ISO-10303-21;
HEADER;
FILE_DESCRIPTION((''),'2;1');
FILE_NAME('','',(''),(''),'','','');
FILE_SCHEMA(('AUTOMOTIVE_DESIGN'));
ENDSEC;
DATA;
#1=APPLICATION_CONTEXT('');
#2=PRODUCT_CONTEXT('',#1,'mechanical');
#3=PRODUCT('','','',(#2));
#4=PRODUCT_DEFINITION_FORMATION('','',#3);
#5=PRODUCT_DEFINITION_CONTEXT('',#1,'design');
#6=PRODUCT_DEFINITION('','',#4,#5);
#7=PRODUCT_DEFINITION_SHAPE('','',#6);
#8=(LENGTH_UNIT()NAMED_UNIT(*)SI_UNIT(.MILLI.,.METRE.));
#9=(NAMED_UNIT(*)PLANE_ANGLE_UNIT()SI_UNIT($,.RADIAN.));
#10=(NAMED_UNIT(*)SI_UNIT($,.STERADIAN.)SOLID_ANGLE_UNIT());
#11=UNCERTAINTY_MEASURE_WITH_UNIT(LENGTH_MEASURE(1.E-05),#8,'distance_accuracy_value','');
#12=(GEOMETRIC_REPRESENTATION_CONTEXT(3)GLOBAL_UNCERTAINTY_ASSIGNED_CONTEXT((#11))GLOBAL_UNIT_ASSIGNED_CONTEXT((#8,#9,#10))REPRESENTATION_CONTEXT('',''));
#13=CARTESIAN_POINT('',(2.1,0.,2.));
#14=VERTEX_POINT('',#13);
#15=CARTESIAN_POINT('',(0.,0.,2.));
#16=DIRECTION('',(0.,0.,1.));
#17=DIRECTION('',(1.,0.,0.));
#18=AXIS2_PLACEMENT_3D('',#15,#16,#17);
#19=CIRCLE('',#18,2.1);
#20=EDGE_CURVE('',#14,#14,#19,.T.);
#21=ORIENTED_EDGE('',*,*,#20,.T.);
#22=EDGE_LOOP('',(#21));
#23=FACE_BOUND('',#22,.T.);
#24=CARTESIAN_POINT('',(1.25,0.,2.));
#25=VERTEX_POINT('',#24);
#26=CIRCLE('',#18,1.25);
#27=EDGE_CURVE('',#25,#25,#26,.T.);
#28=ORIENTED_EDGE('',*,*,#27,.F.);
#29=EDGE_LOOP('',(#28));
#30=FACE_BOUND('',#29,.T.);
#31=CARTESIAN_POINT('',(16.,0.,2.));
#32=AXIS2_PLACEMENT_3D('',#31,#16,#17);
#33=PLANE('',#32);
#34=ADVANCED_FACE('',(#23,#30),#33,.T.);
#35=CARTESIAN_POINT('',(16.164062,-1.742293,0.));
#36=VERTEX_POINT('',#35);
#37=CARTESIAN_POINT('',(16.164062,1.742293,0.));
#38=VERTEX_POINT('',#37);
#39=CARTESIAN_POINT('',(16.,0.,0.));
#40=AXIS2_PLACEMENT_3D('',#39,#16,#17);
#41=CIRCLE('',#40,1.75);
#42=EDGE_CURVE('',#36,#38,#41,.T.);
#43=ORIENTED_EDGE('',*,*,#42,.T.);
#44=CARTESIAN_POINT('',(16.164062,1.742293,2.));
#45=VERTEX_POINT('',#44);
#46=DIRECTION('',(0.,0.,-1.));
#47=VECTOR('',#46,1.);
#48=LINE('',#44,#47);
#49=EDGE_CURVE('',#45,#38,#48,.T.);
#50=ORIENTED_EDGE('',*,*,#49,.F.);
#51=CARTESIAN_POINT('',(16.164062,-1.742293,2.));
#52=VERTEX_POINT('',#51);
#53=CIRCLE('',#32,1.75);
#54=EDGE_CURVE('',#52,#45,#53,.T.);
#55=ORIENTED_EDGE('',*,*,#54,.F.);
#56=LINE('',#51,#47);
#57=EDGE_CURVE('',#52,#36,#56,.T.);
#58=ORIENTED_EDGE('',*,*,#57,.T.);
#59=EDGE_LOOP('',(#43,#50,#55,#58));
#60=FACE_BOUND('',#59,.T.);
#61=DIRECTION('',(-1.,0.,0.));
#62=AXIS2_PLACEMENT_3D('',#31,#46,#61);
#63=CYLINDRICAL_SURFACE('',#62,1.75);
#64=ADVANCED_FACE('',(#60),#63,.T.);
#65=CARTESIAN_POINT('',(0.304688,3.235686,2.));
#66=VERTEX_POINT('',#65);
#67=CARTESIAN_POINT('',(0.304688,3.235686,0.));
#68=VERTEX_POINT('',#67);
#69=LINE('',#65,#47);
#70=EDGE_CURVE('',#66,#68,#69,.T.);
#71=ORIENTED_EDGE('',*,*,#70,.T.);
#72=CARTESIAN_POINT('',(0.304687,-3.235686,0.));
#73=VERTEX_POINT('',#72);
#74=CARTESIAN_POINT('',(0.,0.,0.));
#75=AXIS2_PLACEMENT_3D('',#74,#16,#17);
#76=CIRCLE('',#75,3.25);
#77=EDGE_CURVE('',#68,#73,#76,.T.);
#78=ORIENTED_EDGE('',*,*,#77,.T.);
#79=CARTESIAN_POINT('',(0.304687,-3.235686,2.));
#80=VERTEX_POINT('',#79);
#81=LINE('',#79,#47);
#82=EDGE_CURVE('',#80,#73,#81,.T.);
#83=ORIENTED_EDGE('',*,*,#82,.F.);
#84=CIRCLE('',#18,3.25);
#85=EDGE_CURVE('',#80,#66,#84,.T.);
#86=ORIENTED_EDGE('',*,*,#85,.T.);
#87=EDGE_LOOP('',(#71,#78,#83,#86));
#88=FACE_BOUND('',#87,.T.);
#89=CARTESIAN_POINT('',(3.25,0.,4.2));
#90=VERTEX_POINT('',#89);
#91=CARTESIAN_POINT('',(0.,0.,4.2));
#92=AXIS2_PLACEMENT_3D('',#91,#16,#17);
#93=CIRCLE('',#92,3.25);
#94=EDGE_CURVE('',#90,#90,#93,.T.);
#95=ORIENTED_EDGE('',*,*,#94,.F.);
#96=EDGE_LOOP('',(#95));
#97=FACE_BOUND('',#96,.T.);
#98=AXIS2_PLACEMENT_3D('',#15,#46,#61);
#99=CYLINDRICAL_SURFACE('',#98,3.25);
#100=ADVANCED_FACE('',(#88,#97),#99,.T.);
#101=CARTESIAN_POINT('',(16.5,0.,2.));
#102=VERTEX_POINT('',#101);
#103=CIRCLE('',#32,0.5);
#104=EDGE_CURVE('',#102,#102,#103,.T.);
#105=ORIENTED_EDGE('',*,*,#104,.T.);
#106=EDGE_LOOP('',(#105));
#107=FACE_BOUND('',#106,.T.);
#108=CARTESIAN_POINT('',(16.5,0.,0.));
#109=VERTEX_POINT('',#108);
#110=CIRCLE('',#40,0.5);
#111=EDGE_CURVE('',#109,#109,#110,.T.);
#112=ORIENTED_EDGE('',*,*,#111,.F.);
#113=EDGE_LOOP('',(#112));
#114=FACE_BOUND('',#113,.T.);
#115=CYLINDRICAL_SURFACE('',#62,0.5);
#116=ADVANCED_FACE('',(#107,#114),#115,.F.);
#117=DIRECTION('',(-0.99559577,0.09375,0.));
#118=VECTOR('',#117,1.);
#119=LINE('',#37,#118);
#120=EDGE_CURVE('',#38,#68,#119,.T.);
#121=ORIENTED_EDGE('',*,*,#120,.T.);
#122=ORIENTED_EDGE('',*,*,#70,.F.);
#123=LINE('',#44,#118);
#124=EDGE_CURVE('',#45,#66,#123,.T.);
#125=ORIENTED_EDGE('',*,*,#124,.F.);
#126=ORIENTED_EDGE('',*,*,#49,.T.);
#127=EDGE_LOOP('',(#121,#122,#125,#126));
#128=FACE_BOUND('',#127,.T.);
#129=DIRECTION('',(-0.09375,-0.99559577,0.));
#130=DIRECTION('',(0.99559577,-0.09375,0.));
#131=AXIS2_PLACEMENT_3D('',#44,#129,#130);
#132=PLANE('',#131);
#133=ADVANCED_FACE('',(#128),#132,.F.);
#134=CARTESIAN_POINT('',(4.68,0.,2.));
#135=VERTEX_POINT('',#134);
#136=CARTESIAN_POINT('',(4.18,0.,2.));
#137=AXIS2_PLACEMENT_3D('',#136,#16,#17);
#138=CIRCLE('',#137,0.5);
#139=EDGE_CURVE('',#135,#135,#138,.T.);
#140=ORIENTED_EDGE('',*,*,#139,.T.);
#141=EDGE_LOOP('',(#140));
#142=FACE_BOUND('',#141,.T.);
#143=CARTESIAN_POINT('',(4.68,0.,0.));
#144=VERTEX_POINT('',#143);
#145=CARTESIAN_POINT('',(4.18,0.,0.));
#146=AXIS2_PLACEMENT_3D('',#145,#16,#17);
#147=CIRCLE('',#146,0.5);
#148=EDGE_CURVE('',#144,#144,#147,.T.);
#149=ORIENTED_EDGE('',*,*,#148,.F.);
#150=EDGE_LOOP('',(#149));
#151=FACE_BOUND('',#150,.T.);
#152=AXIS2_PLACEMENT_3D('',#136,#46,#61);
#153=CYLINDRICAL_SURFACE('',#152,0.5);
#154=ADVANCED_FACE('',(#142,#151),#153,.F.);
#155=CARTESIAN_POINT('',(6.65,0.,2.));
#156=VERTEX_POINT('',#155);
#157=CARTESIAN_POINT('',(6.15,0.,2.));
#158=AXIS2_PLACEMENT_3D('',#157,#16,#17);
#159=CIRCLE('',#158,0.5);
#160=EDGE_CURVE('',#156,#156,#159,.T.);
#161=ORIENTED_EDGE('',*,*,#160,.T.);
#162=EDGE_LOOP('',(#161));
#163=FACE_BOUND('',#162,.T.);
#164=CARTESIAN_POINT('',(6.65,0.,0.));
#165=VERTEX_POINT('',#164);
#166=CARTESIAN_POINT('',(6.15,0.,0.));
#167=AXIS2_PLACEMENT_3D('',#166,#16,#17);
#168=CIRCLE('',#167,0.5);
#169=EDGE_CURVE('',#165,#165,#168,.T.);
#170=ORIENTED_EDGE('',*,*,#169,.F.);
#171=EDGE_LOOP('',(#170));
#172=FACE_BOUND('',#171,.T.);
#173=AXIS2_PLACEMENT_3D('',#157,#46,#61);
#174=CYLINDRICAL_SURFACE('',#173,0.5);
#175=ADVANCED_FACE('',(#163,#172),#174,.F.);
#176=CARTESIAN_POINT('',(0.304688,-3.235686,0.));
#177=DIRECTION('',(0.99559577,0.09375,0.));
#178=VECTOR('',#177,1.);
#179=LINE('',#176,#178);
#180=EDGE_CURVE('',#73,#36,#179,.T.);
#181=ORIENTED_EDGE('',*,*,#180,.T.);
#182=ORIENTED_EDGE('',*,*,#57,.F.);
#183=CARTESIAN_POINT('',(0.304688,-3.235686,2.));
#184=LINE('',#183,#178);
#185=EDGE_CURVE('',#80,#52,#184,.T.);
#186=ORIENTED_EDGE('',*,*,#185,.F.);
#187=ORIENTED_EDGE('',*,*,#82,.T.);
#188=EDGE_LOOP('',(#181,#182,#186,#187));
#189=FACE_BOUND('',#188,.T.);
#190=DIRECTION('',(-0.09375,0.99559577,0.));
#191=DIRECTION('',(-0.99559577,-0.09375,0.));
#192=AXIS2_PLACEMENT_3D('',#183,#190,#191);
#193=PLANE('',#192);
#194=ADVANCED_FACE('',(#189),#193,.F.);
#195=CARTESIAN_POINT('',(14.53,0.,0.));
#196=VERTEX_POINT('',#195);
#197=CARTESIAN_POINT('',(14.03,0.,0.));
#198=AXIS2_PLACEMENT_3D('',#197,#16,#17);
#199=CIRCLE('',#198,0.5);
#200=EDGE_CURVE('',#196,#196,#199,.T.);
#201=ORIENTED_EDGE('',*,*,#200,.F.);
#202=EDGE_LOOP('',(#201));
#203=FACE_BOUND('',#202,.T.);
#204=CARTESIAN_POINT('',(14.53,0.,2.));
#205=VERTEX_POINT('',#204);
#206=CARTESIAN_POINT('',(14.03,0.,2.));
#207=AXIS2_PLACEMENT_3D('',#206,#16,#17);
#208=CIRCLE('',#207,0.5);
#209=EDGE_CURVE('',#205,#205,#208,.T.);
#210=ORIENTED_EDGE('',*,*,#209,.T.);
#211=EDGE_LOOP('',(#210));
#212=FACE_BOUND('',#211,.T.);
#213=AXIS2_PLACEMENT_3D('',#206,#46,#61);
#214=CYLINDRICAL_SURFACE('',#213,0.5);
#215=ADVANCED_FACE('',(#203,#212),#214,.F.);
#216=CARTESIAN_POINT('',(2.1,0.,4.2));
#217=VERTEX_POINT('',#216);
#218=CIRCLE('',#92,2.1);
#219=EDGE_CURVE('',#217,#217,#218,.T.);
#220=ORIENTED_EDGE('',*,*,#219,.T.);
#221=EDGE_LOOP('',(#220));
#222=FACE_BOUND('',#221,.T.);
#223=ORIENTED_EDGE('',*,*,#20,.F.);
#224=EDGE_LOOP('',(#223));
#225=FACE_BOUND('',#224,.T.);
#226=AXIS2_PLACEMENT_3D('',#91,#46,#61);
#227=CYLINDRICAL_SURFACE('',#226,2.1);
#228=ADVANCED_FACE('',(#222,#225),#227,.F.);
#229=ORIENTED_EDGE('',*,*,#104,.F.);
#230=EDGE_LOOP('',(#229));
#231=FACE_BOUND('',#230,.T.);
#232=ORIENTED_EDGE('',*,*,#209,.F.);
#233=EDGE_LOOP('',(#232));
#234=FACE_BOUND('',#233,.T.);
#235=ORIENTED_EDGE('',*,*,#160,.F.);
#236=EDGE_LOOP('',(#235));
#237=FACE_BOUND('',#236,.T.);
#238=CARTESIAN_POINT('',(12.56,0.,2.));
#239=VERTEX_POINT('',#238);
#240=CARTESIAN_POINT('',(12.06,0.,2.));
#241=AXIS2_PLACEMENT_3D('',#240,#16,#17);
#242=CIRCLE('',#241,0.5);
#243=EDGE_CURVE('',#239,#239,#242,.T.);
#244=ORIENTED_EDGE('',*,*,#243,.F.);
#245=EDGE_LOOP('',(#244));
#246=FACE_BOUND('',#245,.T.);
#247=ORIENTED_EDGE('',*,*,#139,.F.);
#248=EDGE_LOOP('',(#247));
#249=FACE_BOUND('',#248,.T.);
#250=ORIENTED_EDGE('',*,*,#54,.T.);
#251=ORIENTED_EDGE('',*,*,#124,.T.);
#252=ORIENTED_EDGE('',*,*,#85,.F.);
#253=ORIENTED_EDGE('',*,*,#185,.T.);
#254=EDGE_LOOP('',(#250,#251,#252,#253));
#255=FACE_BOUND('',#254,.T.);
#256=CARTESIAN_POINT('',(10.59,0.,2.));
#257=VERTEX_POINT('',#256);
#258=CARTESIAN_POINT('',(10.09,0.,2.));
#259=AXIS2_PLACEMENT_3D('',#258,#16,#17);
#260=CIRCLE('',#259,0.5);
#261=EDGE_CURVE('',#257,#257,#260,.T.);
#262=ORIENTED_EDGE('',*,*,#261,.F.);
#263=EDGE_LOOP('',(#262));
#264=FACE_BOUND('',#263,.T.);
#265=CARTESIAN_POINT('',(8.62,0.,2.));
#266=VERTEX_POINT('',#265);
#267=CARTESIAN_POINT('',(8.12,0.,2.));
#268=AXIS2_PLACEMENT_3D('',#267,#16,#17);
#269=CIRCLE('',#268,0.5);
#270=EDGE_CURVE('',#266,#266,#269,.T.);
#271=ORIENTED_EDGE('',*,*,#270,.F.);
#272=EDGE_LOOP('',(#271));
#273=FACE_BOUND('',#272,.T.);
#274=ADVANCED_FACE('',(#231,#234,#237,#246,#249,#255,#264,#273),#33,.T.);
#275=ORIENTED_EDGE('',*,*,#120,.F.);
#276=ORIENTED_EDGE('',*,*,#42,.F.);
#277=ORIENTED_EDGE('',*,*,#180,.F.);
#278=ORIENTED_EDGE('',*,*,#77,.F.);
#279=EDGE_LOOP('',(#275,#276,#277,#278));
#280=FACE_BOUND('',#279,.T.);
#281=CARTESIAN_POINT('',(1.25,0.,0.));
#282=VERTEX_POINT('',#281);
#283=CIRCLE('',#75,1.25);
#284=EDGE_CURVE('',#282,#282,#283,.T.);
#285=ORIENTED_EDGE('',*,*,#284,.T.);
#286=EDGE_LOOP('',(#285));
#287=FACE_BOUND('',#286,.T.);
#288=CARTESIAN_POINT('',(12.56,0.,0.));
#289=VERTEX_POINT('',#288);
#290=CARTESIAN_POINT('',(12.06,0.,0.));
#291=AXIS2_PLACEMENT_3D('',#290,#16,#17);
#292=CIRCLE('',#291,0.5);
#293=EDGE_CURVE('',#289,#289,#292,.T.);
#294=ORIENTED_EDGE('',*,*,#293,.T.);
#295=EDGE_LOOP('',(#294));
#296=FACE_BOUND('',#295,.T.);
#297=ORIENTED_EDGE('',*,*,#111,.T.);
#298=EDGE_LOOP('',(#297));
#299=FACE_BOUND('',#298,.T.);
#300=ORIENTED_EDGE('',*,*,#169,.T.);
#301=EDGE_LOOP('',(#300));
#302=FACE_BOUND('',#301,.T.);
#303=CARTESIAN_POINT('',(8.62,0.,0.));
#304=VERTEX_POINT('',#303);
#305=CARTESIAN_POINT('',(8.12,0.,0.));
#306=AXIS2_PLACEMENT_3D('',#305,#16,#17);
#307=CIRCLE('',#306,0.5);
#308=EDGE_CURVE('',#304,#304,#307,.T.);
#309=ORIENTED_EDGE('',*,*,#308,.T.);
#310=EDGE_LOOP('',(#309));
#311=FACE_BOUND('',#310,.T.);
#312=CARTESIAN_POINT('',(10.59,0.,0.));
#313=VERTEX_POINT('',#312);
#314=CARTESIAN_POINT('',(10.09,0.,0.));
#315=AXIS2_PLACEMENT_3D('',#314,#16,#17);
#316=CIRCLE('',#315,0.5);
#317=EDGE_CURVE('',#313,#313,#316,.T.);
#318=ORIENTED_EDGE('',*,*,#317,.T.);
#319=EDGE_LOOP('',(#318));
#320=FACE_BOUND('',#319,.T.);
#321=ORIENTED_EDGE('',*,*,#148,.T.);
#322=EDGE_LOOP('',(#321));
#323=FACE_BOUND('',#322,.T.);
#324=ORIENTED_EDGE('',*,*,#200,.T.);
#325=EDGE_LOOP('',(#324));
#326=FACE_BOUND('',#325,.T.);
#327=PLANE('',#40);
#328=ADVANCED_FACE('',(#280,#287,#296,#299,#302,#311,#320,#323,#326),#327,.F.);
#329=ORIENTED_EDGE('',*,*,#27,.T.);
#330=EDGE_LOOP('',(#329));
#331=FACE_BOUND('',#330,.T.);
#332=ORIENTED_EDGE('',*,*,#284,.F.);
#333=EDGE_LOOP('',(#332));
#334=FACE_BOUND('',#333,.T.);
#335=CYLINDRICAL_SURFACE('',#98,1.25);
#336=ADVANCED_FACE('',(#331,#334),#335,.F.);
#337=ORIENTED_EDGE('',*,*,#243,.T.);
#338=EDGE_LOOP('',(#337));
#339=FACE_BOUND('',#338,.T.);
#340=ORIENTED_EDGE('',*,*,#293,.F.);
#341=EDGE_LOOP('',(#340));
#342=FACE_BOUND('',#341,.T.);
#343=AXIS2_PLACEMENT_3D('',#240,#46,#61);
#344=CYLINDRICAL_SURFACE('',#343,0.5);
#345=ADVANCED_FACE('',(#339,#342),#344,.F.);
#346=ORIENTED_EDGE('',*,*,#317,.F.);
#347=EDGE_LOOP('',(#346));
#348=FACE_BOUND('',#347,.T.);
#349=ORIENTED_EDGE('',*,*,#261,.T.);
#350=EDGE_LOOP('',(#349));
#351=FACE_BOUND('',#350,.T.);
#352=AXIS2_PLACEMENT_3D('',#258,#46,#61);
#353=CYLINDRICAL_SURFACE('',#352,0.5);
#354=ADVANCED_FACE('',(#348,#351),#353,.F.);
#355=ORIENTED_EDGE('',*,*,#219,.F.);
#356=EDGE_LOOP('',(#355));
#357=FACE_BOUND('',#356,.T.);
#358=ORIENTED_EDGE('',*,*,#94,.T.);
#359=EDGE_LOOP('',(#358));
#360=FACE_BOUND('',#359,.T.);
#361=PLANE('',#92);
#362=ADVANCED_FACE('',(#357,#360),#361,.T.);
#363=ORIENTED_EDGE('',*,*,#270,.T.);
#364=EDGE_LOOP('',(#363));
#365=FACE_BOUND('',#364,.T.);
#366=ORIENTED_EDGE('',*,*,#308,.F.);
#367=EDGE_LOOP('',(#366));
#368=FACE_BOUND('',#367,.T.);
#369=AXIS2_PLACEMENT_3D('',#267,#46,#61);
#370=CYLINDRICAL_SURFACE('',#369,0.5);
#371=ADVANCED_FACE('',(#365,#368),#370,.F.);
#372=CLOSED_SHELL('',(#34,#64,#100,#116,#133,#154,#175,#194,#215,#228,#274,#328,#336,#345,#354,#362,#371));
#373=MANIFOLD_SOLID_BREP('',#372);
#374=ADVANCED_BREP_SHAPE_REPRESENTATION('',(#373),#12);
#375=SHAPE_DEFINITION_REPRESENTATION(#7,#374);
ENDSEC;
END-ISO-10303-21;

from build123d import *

# Parameters (mm, degrees)
ESBO_O1_R                = 1.25
ESBO_O1_R_2              = 0.5
RESSALTO_EXTRUS_O1_DEPTH = 2
ESBO_O2_R                = 3.25
ESBO_O2_R_2              = 2.1
RESSALTO_EXTRUS_O2_DEPTH = 2.2


with BuildPart() as part:
    # Esboço1 → Ressalto-extrusão1 (new body)
    with BuildSketch(Plane.XY):
        with BuildLine():
            Line((16.1640625, 1.742292598), (0.3046875, 3.235686253))
            ThreePointArc((0.3046875, 3.235686253), (-3.25, 0), (0.3046875, -3.235686253))
            Line((0.3046875, -3.235686253), (16.1640625, -1.742292598))
            ThreePointArc((16.1640625, -1.742292598), (17.75, 0), (16.1640625, 1.742292598))
        make_face()
        Circle(ESBO_O1_R, mode=Mode.SUBTRACT)
        with Locations((16, 0)):
            Circle(ESBO_O1_R_2, mode=Mode.SUBTRACT)
        with Locations((14.03, 0)):
            Circle(ESBO_O1_R_2, mode=Mode.SUBTRACT)
        with Locations((12.06, 0)):
            Circle(ESBO_O1_R_2, mode=Mode.SUBTRACT)
        with Locations((10.09, 0)):
            Circle(ESBO_O1_R_2, mode=Mode.SUBTRACT)
        with Locations((8.12, 0)):
            Circle(ESBO_O1_R_2, mode=Mode.SUBTRACT)
        with Locations((6.15, 0)):
            Circle(ESBO_O1_R_2, mode=Mode.SUBTRACT)
        with Locations((4.18, 0)):
            Circle(ESBO_O1_R_2, mode=Mode.SUBTRACT)
    extrude(amount=RESSALTO_EXTRUS_O1_DEPTH)

    # Esboço2 → Ressalto-extrusão2 (add)
    with BuildSketch(Plane.XY.offset(2)):
        with Locations(Location((0, 0, 0), (0, 0, 275.379378991))):
            Circle(ESBO_O2_R)
        Circle(ESBO_O2_R_2, mode=Mode.SUBTRACT)
    extrude(amount=RESSALTO_EXTRUS_O2_DEPTH)


solid = part.part
